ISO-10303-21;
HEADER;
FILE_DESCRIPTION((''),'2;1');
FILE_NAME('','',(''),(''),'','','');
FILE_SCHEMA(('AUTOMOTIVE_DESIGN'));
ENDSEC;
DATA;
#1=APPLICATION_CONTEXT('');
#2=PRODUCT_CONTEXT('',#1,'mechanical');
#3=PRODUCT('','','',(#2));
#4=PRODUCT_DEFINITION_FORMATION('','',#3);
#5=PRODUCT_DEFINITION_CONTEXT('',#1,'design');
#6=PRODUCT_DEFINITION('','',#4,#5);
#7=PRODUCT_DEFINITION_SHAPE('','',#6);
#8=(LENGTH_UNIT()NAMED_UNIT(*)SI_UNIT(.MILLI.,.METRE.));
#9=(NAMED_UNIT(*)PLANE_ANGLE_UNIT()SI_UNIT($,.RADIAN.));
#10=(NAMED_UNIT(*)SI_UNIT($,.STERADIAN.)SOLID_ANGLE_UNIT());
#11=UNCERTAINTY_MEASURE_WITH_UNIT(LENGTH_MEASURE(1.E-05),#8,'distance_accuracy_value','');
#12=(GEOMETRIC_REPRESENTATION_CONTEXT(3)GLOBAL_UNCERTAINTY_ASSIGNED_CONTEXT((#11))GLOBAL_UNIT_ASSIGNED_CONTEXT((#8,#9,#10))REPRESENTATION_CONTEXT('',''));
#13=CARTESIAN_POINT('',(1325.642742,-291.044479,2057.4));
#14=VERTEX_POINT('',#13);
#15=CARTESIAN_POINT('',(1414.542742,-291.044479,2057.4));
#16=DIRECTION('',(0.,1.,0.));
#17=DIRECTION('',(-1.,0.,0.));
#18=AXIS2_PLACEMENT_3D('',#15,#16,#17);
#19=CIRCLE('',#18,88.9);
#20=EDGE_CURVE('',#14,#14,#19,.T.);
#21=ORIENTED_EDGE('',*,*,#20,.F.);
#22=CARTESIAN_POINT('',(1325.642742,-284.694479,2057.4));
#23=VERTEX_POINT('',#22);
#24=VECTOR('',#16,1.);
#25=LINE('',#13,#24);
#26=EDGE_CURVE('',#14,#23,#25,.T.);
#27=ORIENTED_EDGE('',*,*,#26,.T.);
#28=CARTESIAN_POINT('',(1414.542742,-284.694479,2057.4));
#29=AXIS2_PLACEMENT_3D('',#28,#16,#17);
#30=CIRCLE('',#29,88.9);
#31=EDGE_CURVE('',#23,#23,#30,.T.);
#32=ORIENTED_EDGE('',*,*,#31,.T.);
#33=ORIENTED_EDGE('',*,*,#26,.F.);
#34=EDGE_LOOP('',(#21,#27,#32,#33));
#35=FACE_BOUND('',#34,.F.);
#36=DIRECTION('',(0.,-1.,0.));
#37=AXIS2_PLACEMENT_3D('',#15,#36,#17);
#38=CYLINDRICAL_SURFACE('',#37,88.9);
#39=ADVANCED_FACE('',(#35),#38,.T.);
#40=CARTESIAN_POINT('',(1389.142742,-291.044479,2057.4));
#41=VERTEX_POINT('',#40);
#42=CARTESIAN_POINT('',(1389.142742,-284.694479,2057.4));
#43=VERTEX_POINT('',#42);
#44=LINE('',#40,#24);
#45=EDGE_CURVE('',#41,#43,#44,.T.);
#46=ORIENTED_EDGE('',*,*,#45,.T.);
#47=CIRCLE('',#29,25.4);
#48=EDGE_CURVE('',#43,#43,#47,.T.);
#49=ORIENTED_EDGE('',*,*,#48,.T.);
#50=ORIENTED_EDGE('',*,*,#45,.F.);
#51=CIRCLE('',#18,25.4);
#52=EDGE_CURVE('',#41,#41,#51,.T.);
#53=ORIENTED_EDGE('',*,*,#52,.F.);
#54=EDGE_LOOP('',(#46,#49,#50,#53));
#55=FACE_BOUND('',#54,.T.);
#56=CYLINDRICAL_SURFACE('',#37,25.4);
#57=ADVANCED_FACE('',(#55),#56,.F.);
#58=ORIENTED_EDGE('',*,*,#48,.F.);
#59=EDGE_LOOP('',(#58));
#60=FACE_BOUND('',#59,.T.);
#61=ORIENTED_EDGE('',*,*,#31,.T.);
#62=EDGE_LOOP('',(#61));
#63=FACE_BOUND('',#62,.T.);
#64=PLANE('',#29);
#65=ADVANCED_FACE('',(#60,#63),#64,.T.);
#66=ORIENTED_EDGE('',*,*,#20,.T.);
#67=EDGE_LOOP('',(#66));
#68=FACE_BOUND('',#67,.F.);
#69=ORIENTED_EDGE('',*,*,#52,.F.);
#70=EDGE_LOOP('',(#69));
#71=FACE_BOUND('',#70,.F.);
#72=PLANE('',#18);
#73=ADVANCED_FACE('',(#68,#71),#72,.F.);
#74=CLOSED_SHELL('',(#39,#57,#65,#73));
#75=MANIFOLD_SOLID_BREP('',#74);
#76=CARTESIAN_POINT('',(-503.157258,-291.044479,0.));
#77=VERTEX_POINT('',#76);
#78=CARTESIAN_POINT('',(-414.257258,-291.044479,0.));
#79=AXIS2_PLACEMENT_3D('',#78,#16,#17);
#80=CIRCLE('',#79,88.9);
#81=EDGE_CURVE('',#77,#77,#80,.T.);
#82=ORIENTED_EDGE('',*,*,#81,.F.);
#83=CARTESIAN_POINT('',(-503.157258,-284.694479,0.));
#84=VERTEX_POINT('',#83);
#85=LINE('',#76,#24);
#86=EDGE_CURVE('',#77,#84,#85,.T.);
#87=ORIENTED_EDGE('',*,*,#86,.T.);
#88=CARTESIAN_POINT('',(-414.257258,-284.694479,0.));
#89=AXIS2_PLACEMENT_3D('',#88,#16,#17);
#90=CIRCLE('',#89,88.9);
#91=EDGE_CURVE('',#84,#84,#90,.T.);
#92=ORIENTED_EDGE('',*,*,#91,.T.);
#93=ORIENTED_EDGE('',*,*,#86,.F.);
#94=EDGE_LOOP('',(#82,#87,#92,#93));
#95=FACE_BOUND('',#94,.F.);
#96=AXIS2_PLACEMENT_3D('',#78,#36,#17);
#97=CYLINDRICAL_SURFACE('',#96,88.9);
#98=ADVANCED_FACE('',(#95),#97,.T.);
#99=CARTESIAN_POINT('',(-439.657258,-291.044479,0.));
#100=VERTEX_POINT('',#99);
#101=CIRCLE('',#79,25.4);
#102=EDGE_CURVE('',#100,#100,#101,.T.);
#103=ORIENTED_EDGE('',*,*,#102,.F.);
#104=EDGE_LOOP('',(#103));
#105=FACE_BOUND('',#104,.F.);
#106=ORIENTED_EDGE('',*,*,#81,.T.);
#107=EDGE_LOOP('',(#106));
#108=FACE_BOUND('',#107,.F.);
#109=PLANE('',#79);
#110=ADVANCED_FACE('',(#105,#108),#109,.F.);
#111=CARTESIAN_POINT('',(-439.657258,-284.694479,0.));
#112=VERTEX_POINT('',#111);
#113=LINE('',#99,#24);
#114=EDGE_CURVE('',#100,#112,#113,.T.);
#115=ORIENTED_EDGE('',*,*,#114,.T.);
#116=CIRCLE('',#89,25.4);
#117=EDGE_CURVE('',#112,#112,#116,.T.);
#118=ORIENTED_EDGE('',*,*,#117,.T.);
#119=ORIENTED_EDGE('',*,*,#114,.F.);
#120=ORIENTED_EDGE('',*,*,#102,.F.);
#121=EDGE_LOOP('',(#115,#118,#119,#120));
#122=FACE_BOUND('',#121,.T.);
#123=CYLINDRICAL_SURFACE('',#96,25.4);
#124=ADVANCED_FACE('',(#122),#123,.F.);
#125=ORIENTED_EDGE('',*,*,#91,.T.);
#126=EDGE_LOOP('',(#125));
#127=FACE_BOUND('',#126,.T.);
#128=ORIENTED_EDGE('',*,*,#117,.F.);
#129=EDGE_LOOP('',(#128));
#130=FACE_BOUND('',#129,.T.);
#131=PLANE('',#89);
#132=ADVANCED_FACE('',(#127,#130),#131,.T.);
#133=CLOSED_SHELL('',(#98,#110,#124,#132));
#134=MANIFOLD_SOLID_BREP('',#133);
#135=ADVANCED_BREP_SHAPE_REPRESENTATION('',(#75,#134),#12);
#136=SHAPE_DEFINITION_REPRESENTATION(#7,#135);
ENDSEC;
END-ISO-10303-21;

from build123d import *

# Parameters (mm, degrees)
F15_R     = 88.9
F15_R_2   = 25.4
F16_DEPTH = 6.35


with BuildPart() as f16:
    # F15 (on 3pt) → F16 (new body)
    with BuildSketch(Plane(origin=(0, -291.0444789136, 0), x_dir=(-1, 0, 0), z_dir=(0, 1, 0))):
        with Locations((-1414.5427417788, 2057.4)):
            Circle(F15_R)
        with Locations((-1414.5427417788, 2057.4)):
            Circle(F15_R_2, mode=Mode.SUBTRACT)
    extrude(amount=F16_DEPTH)


with BuildPart() as f16b:
    # F15 (on 3pt) → F16, piece 2 (new body)
    with BuildSketch(Plane(origin=(0, -291.0444789136, 0), x_dir=(-1, 0, 0), z_dir=(0, 1, 0))):
        with Locations((414.2572582212, 0)):
            Circle(F15_R)
        with Locations((414.2572582212, 0)):
            Circle(F15_R_2, mode=Mode.SUBTRACT)
    extrude(amount=F16_DEPTH)


solid = Compound([f16.part, f16b.part])
